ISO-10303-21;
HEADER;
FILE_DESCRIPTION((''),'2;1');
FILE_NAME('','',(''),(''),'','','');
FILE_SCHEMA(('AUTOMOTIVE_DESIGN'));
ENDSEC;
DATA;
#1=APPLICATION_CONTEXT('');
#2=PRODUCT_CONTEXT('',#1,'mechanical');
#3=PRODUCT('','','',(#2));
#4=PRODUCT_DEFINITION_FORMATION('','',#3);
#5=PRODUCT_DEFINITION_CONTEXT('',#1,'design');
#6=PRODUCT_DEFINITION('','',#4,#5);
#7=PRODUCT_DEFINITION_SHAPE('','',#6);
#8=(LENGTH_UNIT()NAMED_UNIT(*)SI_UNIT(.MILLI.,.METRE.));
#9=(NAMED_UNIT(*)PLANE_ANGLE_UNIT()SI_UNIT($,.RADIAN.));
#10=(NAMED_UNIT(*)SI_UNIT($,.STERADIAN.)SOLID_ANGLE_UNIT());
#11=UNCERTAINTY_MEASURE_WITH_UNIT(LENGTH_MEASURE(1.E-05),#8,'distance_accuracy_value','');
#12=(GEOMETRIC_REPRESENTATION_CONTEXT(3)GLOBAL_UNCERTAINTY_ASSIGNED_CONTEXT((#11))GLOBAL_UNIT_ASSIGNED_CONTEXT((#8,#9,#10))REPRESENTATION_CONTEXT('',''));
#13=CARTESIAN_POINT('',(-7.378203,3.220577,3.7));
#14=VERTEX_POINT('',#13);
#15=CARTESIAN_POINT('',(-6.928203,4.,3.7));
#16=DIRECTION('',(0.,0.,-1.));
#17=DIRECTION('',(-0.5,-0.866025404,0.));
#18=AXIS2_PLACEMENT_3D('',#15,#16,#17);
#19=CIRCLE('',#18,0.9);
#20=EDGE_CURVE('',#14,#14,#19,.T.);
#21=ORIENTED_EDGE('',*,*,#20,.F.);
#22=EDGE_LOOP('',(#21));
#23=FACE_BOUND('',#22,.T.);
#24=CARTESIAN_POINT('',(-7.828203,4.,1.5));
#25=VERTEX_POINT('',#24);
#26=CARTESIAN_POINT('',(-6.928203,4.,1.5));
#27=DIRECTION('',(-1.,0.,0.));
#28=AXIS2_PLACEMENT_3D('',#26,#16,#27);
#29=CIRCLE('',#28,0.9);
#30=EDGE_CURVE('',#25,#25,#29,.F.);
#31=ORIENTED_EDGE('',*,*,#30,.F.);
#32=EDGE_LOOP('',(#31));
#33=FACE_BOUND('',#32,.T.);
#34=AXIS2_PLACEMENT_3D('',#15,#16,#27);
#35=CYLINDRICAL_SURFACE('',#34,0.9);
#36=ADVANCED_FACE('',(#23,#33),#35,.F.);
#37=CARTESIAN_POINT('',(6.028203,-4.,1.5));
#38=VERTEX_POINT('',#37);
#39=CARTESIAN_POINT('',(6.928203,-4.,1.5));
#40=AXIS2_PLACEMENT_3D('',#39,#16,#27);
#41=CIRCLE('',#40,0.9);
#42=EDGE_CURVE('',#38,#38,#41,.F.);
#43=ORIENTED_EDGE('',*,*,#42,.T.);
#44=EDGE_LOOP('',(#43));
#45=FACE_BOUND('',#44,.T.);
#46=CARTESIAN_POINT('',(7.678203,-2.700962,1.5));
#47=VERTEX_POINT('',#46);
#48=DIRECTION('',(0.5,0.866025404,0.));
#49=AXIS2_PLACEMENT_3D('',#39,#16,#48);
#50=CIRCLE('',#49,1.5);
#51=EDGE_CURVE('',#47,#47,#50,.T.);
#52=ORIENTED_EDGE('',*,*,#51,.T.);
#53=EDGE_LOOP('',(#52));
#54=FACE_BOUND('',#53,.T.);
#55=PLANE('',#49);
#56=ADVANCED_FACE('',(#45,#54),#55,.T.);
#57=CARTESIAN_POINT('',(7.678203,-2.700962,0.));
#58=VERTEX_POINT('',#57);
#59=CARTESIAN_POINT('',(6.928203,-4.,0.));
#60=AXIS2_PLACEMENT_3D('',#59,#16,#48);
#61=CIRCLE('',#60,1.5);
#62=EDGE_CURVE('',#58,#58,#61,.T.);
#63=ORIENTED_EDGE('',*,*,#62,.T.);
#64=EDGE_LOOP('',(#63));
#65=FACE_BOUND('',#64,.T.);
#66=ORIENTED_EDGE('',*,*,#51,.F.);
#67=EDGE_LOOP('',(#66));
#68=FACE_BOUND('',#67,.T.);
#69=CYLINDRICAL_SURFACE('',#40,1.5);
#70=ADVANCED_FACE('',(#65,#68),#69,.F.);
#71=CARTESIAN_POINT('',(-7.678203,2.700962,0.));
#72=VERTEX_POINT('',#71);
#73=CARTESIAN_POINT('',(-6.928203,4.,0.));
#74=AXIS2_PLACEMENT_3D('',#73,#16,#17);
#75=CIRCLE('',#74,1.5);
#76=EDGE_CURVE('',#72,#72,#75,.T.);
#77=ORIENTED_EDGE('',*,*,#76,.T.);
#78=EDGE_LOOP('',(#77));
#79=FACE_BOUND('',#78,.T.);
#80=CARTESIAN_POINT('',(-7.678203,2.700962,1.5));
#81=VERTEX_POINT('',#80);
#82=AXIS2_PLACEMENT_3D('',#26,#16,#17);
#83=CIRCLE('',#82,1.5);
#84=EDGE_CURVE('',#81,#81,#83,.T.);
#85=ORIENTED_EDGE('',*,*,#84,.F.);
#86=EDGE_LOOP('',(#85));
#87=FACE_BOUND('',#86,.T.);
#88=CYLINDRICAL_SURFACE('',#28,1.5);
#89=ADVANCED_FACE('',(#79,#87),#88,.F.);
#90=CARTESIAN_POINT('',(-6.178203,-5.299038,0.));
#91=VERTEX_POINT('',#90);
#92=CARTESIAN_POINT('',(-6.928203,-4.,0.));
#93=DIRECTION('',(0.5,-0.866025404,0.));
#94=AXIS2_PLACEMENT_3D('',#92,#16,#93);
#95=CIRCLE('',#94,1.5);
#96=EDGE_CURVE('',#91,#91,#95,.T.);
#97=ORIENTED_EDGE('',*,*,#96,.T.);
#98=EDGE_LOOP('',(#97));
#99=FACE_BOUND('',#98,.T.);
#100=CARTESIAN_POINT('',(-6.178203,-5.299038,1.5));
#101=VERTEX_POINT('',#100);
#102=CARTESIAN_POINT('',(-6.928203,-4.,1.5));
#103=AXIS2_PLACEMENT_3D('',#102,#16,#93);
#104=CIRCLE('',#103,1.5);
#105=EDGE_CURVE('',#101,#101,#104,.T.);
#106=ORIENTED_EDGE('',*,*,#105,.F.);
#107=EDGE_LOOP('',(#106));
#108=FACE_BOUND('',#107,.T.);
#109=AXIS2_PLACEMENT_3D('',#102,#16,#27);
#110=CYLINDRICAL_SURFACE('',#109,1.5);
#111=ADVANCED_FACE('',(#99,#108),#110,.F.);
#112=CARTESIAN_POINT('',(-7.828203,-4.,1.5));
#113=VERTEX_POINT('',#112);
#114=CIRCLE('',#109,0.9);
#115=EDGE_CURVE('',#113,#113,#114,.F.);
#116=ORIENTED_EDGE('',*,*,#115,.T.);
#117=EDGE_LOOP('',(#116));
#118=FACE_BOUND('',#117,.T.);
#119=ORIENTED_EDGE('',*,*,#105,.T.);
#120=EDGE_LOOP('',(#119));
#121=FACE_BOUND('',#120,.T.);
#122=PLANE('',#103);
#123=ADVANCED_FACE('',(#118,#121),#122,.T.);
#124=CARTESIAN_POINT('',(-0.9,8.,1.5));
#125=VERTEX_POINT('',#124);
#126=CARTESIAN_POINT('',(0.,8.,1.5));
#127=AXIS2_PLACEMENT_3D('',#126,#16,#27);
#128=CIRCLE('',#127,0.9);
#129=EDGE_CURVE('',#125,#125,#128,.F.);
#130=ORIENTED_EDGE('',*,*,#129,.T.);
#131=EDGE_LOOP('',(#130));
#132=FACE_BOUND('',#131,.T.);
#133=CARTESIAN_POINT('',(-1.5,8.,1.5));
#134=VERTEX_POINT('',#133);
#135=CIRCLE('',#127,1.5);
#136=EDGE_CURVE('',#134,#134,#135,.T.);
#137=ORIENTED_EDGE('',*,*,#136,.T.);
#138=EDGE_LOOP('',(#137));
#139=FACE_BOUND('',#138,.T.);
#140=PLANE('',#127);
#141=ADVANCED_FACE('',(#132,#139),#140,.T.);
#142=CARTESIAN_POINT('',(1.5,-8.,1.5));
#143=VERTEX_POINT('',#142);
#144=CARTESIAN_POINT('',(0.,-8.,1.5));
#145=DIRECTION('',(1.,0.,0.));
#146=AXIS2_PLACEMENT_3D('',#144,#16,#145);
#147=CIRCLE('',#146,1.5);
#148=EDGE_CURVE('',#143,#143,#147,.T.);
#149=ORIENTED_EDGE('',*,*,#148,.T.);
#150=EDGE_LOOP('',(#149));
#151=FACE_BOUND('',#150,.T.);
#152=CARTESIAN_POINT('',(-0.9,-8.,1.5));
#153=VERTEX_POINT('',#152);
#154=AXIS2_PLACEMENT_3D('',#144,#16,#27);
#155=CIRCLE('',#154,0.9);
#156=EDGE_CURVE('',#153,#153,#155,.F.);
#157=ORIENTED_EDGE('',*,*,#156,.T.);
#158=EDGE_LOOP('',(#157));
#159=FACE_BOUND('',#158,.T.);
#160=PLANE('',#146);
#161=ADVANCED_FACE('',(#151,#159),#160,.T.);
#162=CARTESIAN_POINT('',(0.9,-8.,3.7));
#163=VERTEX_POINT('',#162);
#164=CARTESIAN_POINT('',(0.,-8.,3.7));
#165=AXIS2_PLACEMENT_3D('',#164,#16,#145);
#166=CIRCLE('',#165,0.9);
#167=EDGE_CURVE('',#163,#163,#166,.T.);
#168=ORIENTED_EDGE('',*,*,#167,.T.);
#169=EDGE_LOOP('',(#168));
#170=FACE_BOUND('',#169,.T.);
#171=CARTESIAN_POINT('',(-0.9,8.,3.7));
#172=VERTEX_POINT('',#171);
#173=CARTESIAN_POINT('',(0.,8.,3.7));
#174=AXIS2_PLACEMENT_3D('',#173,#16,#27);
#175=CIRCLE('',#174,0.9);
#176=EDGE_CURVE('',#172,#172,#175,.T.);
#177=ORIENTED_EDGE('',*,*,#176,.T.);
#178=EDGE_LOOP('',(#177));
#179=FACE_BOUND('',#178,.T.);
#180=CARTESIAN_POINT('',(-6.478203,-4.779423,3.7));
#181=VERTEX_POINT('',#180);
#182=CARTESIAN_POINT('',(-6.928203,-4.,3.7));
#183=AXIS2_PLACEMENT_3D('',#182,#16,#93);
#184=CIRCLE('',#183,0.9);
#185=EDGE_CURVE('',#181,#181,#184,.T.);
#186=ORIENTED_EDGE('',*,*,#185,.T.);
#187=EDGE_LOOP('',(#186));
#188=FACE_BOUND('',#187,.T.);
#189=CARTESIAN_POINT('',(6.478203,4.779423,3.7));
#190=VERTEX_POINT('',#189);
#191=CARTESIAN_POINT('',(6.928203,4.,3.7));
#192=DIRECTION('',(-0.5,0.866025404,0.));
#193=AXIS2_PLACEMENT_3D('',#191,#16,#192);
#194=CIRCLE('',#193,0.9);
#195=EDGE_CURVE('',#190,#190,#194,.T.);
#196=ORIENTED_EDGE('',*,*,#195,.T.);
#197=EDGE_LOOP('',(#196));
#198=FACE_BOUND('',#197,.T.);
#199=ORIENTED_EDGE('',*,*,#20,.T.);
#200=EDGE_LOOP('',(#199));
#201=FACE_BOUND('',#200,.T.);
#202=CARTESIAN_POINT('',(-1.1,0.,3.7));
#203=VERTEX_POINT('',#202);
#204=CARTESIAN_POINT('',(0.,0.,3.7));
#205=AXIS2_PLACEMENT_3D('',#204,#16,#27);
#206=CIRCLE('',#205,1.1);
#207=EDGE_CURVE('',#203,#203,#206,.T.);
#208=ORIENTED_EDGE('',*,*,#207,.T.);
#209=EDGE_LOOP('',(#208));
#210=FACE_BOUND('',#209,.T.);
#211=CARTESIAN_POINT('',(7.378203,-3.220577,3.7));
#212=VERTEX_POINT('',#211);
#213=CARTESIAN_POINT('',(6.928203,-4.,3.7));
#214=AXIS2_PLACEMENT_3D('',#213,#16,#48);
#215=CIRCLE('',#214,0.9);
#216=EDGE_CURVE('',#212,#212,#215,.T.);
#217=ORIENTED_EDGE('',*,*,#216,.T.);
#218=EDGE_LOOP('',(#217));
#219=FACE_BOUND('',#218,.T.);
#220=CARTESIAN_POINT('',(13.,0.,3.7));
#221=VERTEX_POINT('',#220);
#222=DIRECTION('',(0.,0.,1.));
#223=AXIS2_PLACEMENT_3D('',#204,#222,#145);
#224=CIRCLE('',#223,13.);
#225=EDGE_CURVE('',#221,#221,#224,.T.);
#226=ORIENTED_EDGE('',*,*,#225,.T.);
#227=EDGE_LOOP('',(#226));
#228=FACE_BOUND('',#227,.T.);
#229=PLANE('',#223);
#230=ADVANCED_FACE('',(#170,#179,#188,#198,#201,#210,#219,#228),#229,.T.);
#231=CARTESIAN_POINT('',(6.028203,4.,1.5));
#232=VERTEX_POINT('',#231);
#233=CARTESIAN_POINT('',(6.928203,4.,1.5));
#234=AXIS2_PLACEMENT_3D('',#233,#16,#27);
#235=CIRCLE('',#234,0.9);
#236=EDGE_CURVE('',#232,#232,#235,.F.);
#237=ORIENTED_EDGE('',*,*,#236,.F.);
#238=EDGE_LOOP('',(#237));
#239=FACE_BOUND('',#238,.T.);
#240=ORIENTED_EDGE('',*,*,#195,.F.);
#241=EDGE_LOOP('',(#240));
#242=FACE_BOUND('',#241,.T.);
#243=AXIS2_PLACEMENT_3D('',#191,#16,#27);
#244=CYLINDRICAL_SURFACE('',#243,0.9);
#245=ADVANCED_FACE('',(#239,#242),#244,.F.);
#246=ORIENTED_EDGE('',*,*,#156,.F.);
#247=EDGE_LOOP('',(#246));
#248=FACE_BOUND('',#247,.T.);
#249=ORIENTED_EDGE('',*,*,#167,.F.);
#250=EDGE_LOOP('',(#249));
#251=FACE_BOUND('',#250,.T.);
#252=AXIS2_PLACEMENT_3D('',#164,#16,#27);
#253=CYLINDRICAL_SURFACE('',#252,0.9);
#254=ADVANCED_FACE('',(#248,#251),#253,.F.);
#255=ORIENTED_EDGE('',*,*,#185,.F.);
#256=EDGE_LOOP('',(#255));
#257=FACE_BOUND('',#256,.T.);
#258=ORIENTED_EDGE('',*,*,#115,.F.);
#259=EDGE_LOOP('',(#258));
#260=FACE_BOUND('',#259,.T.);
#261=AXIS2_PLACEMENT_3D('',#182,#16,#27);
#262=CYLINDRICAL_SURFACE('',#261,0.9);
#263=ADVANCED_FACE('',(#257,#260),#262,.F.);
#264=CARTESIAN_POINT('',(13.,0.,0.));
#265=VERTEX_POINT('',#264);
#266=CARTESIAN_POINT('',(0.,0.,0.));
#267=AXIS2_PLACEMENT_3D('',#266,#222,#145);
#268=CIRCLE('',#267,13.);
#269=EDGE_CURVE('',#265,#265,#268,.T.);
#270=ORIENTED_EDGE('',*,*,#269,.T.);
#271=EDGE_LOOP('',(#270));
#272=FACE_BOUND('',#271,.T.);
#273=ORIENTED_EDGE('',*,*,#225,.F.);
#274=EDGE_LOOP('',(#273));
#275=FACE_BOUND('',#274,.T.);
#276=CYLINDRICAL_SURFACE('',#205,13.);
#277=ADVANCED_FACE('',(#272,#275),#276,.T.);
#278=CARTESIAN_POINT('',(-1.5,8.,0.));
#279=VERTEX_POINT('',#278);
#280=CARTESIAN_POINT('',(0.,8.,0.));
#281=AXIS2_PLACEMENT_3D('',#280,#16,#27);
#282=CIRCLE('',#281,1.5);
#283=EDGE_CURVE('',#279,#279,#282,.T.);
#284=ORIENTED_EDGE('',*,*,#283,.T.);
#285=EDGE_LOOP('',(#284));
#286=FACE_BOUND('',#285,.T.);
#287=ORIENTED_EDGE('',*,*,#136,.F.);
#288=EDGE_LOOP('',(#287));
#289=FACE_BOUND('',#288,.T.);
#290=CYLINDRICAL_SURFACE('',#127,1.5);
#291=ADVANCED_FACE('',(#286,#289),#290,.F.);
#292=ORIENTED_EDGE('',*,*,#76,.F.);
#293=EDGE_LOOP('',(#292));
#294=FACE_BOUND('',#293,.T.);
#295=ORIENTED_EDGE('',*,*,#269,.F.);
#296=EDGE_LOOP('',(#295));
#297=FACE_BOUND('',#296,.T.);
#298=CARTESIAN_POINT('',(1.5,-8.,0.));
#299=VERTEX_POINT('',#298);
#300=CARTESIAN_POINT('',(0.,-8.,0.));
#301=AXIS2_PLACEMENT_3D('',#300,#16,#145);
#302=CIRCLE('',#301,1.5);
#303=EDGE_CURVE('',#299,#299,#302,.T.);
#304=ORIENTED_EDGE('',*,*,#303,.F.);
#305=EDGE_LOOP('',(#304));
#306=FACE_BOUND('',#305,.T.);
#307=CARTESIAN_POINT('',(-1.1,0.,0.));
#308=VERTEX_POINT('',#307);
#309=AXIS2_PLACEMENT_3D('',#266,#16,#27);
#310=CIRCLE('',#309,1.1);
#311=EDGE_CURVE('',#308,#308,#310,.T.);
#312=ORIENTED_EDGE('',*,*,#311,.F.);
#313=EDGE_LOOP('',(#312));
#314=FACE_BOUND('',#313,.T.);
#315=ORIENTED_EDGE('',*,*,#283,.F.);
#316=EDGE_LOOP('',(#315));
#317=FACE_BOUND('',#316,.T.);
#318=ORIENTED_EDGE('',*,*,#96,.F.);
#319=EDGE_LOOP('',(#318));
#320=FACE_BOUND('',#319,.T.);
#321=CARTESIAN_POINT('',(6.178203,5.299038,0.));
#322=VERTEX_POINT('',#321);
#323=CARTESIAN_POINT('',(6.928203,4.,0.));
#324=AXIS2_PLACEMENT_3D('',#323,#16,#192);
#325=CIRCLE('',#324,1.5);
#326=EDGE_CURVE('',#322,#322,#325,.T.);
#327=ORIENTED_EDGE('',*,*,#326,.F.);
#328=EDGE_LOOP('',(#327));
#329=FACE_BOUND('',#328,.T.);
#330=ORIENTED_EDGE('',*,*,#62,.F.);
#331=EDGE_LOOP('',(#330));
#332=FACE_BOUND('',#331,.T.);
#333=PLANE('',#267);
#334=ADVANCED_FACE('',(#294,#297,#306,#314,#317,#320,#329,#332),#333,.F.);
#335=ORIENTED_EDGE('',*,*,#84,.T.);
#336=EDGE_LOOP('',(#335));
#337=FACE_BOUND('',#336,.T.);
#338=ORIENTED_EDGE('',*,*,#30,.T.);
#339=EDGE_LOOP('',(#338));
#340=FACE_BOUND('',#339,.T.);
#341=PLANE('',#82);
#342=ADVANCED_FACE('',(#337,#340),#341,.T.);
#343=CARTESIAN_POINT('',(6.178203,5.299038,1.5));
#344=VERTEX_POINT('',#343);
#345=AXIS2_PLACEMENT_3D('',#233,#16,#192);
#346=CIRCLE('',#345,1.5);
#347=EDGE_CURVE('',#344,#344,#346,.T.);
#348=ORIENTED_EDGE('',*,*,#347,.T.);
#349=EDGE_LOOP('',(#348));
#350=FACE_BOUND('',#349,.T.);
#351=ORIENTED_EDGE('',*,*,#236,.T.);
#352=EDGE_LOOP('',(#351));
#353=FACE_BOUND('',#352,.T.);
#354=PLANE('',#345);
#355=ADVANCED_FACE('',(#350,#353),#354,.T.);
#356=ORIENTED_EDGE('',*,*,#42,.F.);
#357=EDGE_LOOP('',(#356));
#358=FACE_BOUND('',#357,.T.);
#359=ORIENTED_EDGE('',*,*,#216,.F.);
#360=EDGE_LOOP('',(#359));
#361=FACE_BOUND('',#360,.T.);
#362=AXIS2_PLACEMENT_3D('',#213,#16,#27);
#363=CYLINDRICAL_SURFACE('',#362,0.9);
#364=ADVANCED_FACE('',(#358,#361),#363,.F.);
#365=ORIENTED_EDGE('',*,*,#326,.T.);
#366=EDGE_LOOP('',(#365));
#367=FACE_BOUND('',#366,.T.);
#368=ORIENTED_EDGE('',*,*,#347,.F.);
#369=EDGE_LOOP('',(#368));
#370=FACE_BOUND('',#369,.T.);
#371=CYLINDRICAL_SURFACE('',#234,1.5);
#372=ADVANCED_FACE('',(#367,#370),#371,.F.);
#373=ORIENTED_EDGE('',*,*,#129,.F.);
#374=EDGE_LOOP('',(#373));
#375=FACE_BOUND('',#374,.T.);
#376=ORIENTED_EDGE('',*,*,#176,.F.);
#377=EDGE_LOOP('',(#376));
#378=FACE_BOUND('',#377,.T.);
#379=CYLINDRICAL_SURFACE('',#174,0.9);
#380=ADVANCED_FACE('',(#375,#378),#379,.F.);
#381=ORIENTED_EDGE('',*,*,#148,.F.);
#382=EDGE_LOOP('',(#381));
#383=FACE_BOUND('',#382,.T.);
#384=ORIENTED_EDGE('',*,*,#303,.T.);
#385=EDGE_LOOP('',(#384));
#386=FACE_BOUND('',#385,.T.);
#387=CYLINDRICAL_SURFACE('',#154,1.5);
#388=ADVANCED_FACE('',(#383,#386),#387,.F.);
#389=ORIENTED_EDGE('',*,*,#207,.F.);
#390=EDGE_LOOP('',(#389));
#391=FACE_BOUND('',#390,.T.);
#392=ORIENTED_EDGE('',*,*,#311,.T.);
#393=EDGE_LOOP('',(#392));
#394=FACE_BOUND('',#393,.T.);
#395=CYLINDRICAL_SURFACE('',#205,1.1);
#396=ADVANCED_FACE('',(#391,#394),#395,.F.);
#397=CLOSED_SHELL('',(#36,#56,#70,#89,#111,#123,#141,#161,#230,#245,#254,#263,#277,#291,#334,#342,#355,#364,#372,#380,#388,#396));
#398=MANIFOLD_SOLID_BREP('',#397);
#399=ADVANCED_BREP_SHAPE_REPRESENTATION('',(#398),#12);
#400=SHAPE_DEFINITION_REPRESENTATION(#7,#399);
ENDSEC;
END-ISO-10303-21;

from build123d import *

# Parameters (mm, degrees)
SKETCH_1_R               = 13
EXTRUDE_1_DEPTH          = 3.7
SKETCH_2_R               = 0.9
CUT_EXTRUDE_1_DEPTH      = 19.753399692
SKETCH_2_3_R             = 1.5
CUT_EXTRUDE_2_DEPTH      = 1.5
PATTERN_CIRCULAR_1_COUNT = 6
SKETCH_3_R               = 1.1
CUT_EXTRUDE_3_DEPTH      = 19.753399692


with BuildPart() as part:
    # 草图1 → 凸台-拉伸1 (new body)
    with BuildSketch(Plane.XY):
        Circle(SKETCH_1_R)
    extrude(amount=EXTRUDE_1_DEPTH)

    # 草图2 → 切除-拉伸1 (cut, through all)
    with BuildSketch(Plane(origin=(0, 0, 0), x_dir=(-1, 0, 0), z_dir=(0, 0, -1))):
        with Locations((0, 8)):
            Circle(SKETCH_2_R)
    cut_extrude_1 = extrude(amount=-CUT_EXTRUDE_1_DEPTH, mode=Mode.SUBTRACT)

    # 草图2<3> → 切除-拉伸2 (cut)
    with BuildSketch(Plane(origin=(0, 0, 0), x_dir=(-1, 0, 0), z_dir=(0, 0, -1))):
        with Locations((0, 8)):
            Circle(SKETCH_2_3_R)
    cut_extrude_2 = extrude(amount=-CUT_EXTRUDE_2_DEPTH, mode=Mode.SUBTRACT)

    # 阵列(圆周)1: 切除-拉伸1, 切除-拉伸2 ×6 about axis
    pattern_circular_1_axis = Axis((0, 0, 3.7), (0, 0, -1))
    add([cut_extrude_1.rotate(pattern_circular_1_axis, i * 360 / PATTERN_CIRCULAR_1_COUNT) for i in range(1, PATTERN_CIRCULAR_1_COUNT)], mode=Mode.SUBTRACT)
    add([cut_extrude_2.rotate(pattern_circular_1_axis, i * 360 / PATTERN_CIRCULAR_1_COUNT) for i in range(1, PATTERN_CIRCULAR_1_COUNT)], mode=Mode.SUBTRACT)

    # 草图3 → 切除-拉伸3 (cut, through all)
    with BuildSketch(Plane(origin=(0, 0, 0), x_dir=(-1, 0, 0), z_dir=(0, 0, -1))):
        Circle(SKETCH_3_R)
    extrude(amount=-CUT_EXTRUDE_3_DEPTH, mode=Mode.SUBTRACT)


solid = part.part
